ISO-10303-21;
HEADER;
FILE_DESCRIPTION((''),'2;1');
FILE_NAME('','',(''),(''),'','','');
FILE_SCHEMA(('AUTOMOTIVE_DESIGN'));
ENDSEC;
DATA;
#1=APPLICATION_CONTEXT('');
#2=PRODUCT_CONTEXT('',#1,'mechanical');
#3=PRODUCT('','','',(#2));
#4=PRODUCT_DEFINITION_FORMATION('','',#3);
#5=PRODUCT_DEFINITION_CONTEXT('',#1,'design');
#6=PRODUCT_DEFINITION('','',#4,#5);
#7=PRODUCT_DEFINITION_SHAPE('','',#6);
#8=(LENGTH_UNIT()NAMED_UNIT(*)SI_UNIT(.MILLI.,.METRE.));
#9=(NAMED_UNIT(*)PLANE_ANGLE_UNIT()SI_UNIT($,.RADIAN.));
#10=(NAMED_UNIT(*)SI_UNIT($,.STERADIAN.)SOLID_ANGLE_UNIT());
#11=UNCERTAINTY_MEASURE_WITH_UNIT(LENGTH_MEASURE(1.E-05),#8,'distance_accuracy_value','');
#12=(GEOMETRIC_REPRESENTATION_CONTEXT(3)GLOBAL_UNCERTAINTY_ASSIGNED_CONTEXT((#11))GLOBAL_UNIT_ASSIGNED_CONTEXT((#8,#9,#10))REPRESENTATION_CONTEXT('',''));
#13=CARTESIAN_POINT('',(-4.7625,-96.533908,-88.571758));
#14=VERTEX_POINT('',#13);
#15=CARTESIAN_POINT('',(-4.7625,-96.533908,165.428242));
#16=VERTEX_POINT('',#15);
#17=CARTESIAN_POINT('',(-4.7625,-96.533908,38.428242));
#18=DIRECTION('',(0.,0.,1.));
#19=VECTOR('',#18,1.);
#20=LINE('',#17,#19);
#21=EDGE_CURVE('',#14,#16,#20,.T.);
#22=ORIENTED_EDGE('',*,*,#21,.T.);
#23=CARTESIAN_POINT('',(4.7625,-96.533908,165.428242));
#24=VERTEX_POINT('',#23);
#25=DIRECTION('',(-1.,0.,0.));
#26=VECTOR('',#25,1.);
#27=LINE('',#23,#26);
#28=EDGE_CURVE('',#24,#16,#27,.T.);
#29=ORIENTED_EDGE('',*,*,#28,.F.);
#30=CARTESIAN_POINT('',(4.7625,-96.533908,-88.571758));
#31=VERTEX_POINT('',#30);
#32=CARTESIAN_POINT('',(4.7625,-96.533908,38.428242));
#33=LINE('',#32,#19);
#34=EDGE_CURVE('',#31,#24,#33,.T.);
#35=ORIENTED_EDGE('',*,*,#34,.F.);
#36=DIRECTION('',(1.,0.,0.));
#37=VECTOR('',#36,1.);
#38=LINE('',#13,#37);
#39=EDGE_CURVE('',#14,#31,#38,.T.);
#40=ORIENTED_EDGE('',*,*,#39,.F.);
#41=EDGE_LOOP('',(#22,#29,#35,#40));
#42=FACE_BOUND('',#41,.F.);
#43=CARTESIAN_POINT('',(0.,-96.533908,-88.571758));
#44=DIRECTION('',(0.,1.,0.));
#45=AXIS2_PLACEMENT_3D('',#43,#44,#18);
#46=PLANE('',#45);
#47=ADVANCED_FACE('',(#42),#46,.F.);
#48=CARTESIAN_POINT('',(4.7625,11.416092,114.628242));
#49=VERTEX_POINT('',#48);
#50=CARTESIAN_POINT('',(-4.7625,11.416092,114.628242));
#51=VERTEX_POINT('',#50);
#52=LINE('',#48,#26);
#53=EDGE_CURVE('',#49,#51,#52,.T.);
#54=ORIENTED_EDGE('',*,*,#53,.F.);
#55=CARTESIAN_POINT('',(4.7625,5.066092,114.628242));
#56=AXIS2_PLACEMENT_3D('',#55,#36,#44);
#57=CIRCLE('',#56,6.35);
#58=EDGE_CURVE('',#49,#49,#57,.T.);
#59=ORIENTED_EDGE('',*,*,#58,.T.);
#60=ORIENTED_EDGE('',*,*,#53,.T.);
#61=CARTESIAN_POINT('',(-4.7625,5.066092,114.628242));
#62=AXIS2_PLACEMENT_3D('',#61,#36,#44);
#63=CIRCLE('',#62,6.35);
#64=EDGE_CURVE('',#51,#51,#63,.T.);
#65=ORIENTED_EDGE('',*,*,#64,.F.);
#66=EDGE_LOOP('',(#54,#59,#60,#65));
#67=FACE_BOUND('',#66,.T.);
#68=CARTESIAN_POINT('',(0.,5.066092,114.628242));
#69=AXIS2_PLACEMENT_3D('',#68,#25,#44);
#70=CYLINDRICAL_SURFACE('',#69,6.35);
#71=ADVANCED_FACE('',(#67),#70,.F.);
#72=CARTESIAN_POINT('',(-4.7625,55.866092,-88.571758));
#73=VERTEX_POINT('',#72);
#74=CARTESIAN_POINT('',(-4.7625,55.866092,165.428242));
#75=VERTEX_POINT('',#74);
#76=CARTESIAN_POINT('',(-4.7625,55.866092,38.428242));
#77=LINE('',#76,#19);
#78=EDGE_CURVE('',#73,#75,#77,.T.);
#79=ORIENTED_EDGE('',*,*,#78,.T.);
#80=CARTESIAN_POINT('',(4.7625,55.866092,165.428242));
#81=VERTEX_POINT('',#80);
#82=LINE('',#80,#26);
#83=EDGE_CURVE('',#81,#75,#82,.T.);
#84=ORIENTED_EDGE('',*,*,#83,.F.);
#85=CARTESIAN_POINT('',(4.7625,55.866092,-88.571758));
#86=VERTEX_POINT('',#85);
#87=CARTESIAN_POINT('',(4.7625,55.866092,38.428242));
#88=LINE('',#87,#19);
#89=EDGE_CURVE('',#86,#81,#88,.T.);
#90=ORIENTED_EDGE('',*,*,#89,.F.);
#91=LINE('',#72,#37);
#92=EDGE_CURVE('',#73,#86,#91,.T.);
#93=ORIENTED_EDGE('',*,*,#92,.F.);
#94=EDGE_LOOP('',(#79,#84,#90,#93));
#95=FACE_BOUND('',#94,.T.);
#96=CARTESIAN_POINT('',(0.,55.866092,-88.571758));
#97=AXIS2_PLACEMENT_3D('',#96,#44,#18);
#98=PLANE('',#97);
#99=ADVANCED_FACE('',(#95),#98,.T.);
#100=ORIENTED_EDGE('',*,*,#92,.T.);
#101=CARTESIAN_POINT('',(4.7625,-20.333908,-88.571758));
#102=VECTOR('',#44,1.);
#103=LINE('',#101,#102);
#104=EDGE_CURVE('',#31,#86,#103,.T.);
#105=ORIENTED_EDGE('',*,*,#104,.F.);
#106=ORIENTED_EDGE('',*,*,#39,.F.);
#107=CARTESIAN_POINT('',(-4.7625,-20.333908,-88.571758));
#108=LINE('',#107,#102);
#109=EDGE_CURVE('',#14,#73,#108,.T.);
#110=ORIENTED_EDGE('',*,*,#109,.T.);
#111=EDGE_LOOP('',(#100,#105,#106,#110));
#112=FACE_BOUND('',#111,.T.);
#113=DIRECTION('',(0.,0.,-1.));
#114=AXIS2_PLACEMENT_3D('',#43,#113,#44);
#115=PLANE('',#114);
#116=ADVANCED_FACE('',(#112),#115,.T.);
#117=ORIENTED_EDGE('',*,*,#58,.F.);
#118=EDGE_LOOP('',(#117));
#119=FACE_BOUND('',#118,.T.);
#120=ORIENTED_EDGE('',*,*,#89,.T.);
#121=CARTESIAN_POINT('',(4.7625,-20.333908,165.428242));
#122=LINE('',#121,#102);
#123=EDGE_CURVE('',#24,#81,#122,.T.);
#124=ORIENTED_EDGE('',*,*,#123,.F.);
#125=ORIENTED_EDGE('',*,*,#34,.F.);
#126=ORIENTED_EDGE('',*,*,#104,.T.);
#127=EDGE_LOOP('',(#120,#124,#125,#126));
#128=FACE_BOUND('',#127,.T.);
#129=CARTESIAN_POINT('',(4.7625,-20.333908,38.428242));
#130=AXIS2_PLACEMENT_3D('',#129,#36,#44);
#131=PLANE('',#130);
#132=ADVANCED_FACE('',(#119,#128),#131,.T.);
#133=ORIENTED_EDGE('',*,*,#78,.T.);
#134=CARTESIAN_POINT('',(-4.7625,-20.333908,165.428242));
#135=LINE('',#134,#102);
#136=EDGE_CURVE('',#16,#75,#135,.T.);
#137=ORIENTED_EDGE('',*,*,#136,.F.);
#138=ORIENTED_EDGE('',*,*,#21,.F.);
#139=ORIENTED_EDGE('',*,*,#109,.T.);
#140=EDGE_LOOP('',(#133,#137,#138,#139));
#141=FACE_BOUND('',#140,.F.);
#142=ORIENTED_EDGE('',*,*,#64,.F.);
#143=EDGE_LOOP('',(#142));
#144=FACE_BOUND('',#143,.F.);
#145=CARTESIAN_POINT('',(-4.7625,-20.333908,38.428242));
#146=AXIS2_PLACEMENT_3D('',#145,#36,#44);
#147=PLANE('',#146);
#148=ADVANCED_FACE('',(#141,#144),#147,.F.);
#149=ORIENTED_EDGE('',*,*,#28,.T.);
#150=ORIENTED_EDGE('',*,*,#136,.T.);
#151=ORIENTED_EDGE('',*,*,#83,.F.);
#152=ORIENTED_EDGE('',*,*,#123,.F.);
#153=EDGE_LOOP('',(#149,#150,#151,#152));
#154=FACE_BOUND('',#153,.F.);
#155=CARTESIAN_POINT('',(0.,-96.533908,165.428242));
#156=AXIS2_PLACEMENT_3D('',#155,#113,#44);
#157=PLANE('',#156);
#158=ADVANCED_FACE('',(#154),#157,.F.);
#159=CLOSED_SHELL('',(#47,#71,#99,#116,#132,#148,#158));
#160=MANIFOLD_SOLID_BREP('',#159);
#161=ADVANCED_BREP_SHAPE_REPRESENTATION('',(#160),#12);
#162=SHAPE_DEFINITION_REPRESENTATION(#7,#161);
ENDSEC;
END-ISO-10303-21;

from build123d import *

# Parameters (mm, degrees)
F0_W     = 152.4
F0_H     = 254
F0_R     = 6.35
F1_DEPTH = 4.7625


with BuildPart() as f1:
    # F0 (on Right) → F1 (new body, symmetric)
    with BuildSketch(Plane.YZ):
        with Locations((-20.3339084785, 38.4282420009)):
            Rectangle(F0_W, F0_H)
        with Locations((5.0660915215, 114.6282420009)):
            Circle(F0_R, mode=Mode.SUBTRACT)
    extrude(amount=F1_DEPTH, both=True)


solid = f1.part
